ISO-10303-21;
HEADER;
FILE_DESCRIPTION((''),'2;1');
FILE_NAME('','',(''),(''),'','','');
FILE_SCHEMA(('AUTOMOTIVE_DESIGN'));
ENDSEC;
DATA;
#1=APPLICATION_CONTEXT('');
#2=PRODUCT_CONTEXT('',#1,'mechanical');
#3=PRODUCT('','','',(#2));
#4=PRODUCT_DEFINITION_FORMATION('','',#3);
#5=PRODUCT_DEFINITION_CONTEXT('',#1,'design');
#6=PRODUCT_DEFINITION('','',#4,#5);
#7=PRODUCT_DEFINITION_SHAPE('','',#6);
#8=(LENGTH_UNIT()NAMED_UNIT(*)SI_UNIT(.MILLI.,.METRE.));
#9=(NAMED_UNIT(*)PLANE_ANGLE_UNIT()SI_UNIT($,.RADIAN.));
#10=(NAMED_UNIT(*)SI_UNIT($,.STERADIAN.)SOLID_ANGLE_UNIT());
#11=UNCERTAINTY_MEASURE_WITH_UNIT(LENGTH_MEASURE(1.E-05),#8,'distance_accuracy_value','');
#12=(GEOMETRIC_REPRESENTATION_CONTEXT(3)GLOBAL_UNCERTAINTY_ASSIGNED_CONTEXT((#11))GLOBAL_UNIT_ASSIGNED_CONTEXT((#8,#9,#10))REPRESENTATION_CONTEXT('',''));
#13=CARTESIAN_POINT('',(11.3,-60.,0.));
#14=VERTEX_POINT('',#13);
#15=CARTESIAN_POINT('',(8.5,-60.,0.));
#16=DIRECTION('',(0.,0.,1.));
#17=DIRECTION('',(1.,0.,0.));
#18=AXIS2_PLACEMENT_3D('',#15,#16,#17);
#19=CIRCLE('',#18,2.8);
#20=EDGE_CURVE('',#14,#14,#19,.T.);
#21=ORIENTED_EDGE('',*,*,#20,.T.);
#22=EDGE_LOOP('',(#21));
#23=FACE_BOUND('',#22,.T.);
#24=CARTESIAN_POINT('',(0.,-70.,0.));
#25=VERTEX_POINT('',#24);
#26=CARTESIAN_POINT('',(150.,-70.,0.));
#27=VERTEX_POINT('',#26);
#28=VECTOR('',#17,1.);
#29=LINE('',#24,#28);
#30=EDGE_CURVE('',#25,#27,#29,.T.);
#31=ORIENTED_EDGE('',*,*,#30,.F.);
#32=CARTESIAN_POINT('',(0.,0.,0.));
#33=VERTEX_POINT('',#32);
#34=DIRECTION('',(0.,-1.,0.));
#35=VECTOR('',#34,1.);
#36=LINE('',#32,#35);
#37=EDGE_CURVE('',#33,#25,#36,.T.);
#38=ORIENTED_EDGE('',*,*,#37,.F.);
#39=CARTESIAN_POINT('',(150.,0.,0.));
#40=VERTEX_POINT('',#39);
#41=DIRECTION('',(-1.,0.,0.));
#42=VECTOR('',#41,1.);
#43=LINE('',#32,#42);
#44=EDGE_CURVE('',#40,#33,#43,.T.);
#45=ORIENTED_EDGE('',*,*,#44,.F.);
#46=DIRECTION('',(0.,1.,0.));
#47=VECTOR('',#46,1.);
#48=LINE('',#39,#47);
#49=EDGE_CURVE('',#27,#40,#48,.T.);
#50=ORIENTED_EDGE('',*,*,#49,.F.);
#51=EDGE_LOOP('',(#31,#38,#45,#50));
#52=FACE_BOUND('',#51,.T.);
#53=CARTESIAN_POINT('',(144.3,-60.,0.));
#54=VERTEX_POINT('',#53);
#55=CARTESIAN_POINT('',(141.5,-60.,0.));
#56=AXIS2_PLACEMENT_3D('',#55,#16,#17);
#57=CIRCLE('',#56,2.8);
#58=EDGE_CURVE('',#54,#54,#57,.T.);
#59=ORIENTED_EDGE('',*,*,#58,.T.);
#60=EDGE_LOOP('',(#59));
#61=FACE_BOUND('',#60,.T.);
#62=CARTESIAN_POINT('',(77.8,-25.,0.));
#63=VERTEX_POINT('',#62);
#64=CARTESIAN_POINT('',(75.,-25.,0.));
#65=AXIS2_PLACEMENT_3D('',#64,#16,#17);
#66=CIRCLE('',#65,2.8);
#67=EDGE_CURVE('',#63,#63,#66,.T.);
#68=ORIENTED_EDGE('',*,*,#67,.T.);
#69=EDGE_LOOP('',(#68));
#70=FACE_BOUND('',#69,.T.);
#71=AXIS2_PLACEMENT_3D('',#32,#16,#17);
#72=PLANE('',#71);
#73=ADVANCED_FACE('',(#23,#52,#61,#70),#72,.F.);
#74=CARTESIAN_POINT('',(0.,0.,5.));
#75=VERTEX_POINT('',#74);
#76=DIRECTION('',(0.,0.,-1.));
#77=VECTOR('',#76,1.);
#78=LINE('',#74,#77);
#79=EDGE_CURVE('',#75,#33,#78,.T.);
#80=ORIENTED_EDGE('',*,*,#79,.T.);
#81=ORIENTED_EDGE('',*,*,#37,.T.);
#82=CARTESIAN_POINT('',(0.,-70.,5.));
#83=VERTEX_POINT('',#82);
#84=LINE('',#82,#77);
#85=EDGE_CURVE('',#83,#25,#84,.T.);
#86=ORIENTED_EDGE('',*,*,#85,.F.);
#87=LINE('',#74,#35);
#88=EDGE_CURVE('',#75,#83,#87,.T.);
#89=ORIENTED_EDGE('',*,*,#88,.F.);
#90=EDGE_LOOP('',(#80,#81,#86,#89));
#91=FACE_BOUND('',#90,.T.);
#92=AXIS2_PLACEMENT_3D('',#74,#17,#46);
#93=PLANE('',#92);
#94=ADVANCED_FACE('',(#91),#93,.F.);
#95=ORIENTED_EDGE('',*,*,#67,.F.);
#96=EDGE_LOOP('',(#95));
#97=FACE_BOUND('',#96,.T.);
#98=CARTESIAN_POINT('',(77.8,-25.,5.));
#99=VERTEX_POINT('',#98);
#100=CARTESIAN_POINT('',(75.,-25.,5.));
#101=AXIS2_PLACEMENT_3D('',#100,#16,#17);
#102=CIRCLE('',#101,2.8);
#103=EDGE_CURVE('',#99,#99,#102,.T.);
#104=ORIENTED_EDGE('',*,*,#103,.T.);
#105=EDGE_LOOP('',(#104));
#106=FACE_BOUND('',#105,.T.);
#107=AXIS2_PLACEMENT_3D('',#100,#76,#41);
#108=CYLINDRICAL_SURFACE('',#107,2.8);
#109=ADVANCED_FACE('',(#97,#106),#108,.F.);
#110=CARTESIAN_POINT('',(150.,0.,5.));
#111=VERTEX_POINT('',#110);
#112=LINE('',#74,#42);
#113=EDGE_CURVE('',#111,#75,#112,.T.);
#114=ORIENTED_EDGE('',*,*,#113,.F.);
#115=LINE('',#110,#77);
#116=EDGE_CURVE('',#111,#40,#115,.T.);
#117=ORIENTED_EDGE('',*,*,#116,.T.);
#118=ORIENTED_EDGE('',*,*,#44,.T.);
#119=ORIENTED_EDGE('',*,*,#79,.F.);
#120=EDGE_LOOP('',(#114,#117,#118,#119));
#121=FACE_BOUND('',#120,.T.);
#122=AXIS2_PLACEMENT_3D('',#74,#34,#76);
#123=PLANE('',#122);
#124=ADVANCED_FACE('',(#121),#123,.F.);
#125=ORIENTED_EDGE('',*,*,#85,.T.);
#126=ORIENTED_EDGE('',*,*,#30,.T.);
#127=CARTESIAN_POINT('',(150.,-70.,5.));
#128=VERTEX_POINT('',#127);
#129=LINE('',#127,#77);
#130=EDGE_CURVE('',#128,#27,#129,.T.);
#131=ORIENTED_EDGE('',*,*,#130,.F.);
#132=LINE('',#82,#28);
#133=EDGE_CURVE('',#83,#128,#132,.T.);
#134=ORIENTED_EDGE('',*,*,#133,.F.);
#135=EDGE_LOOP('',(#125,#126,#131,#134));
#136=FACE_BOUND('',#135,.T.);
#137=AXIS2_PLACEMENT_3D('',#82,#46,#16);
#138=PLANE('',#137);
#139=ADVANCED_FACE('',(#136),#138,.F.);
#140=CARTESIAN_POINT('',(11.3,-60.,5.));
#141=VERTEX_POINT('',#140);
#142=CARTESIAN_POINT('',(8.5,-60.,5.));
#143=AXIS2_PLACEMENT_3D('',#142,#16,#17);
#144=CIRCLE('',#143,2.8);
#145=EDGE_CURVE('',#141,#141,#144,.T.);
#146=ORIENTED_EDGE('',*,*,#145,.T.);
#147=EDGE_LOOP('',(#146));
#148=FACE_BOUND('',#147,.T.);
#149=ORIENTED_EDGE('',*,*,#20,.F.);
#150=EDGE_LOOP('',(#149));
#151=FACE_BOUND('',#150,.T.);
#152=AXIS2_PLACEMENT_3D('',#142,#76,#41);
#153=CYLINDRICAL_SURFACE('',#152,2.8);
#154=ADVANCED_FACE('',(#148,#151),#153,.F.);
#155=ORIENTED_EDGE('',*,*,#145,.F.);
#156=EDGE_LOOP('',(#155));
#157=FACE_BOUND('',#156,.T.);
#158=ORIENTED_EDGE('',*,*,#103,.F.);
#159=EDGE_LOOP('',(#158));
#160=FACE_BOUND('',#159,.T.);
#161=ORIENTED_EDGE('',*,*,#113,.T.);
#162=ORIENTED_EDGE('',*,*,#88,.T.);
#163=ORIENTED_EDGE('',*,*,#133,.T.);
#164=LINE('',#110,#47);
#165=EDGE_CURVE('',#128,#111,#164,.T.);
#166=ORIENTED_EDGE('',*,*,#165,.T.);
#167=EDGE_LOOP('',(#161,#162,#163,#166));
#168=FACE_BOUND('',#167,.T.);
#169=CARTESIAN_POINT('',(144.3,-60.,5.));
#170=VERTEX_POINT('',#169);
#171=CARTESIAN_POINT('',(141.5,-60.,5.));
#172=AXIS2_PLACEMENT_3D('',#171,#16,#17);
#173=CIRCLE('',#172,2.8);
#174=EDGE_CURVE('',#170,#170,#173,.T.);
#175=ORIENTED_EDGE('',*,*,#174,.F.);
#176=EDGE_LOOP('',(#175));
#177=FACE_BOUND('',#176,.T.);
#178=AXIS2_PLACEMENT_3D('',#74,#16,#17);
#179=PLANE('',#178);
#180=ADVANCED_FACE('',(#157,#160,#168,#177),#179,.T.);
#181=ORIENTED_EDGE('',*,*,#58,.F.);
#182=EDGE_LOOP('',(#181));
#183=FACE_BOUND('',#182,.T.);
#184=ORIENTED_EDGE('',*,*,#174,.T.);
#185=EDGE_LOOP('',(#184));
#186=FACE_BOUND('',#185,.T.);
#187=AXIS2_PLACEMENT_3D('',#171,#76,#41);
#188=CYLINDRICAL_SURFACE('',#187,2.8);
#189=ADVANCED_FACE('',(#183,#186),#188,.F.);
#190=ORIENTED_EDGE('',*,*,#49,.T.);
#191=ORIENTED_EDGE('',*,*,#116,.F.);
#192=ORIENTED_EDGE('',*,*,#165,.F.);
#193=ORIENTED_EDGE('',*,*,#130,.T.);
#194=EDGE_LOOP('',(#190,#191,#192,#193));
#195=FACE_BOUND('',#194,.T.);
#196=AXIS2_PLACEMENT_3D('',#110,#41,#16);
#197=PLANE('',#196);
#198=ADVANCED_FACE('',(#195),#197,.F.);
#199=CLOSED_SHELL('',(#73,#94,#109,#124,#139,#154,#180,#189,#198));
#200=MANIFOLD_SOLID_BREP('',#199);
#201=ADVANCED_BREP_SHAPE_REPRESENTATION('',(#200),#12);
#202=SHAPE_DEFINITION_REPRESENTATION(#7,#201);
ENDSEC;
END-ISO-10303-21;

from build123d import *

# Parameters (mm, degrees)
ESQUISSE1_W        = 150
ESQUISSE1_H        = 70
ESQUISSE1_R        = 2.8
BOSS_EXTRU_1_DEPTH = 5


with BuildPart() as part:
    # Esquisse1 → Boss.-Extru.1 (new body)
    with BuildSketch(Plane.XY):
        with Locations((75, -35)):
            Rectangle(ESQUISSE1_W, ESQUISSE1_H)
        with Locations((75, -25)):
            Circle(ESQUISSE1_R, mode=Mode.SUBTRACT)
        with Locations((8.5, -60)):
            Circle(ESQUISSE1_R, mode=Mode.SUBTRACT)
        with Locations((141.5, -60)):
            Circle(ESQUISSE1_R, mode=Mode.SUBTRACT)
    extrude(amount=BOSS_EXTRU_1_DEPTH)


solid = part.part
